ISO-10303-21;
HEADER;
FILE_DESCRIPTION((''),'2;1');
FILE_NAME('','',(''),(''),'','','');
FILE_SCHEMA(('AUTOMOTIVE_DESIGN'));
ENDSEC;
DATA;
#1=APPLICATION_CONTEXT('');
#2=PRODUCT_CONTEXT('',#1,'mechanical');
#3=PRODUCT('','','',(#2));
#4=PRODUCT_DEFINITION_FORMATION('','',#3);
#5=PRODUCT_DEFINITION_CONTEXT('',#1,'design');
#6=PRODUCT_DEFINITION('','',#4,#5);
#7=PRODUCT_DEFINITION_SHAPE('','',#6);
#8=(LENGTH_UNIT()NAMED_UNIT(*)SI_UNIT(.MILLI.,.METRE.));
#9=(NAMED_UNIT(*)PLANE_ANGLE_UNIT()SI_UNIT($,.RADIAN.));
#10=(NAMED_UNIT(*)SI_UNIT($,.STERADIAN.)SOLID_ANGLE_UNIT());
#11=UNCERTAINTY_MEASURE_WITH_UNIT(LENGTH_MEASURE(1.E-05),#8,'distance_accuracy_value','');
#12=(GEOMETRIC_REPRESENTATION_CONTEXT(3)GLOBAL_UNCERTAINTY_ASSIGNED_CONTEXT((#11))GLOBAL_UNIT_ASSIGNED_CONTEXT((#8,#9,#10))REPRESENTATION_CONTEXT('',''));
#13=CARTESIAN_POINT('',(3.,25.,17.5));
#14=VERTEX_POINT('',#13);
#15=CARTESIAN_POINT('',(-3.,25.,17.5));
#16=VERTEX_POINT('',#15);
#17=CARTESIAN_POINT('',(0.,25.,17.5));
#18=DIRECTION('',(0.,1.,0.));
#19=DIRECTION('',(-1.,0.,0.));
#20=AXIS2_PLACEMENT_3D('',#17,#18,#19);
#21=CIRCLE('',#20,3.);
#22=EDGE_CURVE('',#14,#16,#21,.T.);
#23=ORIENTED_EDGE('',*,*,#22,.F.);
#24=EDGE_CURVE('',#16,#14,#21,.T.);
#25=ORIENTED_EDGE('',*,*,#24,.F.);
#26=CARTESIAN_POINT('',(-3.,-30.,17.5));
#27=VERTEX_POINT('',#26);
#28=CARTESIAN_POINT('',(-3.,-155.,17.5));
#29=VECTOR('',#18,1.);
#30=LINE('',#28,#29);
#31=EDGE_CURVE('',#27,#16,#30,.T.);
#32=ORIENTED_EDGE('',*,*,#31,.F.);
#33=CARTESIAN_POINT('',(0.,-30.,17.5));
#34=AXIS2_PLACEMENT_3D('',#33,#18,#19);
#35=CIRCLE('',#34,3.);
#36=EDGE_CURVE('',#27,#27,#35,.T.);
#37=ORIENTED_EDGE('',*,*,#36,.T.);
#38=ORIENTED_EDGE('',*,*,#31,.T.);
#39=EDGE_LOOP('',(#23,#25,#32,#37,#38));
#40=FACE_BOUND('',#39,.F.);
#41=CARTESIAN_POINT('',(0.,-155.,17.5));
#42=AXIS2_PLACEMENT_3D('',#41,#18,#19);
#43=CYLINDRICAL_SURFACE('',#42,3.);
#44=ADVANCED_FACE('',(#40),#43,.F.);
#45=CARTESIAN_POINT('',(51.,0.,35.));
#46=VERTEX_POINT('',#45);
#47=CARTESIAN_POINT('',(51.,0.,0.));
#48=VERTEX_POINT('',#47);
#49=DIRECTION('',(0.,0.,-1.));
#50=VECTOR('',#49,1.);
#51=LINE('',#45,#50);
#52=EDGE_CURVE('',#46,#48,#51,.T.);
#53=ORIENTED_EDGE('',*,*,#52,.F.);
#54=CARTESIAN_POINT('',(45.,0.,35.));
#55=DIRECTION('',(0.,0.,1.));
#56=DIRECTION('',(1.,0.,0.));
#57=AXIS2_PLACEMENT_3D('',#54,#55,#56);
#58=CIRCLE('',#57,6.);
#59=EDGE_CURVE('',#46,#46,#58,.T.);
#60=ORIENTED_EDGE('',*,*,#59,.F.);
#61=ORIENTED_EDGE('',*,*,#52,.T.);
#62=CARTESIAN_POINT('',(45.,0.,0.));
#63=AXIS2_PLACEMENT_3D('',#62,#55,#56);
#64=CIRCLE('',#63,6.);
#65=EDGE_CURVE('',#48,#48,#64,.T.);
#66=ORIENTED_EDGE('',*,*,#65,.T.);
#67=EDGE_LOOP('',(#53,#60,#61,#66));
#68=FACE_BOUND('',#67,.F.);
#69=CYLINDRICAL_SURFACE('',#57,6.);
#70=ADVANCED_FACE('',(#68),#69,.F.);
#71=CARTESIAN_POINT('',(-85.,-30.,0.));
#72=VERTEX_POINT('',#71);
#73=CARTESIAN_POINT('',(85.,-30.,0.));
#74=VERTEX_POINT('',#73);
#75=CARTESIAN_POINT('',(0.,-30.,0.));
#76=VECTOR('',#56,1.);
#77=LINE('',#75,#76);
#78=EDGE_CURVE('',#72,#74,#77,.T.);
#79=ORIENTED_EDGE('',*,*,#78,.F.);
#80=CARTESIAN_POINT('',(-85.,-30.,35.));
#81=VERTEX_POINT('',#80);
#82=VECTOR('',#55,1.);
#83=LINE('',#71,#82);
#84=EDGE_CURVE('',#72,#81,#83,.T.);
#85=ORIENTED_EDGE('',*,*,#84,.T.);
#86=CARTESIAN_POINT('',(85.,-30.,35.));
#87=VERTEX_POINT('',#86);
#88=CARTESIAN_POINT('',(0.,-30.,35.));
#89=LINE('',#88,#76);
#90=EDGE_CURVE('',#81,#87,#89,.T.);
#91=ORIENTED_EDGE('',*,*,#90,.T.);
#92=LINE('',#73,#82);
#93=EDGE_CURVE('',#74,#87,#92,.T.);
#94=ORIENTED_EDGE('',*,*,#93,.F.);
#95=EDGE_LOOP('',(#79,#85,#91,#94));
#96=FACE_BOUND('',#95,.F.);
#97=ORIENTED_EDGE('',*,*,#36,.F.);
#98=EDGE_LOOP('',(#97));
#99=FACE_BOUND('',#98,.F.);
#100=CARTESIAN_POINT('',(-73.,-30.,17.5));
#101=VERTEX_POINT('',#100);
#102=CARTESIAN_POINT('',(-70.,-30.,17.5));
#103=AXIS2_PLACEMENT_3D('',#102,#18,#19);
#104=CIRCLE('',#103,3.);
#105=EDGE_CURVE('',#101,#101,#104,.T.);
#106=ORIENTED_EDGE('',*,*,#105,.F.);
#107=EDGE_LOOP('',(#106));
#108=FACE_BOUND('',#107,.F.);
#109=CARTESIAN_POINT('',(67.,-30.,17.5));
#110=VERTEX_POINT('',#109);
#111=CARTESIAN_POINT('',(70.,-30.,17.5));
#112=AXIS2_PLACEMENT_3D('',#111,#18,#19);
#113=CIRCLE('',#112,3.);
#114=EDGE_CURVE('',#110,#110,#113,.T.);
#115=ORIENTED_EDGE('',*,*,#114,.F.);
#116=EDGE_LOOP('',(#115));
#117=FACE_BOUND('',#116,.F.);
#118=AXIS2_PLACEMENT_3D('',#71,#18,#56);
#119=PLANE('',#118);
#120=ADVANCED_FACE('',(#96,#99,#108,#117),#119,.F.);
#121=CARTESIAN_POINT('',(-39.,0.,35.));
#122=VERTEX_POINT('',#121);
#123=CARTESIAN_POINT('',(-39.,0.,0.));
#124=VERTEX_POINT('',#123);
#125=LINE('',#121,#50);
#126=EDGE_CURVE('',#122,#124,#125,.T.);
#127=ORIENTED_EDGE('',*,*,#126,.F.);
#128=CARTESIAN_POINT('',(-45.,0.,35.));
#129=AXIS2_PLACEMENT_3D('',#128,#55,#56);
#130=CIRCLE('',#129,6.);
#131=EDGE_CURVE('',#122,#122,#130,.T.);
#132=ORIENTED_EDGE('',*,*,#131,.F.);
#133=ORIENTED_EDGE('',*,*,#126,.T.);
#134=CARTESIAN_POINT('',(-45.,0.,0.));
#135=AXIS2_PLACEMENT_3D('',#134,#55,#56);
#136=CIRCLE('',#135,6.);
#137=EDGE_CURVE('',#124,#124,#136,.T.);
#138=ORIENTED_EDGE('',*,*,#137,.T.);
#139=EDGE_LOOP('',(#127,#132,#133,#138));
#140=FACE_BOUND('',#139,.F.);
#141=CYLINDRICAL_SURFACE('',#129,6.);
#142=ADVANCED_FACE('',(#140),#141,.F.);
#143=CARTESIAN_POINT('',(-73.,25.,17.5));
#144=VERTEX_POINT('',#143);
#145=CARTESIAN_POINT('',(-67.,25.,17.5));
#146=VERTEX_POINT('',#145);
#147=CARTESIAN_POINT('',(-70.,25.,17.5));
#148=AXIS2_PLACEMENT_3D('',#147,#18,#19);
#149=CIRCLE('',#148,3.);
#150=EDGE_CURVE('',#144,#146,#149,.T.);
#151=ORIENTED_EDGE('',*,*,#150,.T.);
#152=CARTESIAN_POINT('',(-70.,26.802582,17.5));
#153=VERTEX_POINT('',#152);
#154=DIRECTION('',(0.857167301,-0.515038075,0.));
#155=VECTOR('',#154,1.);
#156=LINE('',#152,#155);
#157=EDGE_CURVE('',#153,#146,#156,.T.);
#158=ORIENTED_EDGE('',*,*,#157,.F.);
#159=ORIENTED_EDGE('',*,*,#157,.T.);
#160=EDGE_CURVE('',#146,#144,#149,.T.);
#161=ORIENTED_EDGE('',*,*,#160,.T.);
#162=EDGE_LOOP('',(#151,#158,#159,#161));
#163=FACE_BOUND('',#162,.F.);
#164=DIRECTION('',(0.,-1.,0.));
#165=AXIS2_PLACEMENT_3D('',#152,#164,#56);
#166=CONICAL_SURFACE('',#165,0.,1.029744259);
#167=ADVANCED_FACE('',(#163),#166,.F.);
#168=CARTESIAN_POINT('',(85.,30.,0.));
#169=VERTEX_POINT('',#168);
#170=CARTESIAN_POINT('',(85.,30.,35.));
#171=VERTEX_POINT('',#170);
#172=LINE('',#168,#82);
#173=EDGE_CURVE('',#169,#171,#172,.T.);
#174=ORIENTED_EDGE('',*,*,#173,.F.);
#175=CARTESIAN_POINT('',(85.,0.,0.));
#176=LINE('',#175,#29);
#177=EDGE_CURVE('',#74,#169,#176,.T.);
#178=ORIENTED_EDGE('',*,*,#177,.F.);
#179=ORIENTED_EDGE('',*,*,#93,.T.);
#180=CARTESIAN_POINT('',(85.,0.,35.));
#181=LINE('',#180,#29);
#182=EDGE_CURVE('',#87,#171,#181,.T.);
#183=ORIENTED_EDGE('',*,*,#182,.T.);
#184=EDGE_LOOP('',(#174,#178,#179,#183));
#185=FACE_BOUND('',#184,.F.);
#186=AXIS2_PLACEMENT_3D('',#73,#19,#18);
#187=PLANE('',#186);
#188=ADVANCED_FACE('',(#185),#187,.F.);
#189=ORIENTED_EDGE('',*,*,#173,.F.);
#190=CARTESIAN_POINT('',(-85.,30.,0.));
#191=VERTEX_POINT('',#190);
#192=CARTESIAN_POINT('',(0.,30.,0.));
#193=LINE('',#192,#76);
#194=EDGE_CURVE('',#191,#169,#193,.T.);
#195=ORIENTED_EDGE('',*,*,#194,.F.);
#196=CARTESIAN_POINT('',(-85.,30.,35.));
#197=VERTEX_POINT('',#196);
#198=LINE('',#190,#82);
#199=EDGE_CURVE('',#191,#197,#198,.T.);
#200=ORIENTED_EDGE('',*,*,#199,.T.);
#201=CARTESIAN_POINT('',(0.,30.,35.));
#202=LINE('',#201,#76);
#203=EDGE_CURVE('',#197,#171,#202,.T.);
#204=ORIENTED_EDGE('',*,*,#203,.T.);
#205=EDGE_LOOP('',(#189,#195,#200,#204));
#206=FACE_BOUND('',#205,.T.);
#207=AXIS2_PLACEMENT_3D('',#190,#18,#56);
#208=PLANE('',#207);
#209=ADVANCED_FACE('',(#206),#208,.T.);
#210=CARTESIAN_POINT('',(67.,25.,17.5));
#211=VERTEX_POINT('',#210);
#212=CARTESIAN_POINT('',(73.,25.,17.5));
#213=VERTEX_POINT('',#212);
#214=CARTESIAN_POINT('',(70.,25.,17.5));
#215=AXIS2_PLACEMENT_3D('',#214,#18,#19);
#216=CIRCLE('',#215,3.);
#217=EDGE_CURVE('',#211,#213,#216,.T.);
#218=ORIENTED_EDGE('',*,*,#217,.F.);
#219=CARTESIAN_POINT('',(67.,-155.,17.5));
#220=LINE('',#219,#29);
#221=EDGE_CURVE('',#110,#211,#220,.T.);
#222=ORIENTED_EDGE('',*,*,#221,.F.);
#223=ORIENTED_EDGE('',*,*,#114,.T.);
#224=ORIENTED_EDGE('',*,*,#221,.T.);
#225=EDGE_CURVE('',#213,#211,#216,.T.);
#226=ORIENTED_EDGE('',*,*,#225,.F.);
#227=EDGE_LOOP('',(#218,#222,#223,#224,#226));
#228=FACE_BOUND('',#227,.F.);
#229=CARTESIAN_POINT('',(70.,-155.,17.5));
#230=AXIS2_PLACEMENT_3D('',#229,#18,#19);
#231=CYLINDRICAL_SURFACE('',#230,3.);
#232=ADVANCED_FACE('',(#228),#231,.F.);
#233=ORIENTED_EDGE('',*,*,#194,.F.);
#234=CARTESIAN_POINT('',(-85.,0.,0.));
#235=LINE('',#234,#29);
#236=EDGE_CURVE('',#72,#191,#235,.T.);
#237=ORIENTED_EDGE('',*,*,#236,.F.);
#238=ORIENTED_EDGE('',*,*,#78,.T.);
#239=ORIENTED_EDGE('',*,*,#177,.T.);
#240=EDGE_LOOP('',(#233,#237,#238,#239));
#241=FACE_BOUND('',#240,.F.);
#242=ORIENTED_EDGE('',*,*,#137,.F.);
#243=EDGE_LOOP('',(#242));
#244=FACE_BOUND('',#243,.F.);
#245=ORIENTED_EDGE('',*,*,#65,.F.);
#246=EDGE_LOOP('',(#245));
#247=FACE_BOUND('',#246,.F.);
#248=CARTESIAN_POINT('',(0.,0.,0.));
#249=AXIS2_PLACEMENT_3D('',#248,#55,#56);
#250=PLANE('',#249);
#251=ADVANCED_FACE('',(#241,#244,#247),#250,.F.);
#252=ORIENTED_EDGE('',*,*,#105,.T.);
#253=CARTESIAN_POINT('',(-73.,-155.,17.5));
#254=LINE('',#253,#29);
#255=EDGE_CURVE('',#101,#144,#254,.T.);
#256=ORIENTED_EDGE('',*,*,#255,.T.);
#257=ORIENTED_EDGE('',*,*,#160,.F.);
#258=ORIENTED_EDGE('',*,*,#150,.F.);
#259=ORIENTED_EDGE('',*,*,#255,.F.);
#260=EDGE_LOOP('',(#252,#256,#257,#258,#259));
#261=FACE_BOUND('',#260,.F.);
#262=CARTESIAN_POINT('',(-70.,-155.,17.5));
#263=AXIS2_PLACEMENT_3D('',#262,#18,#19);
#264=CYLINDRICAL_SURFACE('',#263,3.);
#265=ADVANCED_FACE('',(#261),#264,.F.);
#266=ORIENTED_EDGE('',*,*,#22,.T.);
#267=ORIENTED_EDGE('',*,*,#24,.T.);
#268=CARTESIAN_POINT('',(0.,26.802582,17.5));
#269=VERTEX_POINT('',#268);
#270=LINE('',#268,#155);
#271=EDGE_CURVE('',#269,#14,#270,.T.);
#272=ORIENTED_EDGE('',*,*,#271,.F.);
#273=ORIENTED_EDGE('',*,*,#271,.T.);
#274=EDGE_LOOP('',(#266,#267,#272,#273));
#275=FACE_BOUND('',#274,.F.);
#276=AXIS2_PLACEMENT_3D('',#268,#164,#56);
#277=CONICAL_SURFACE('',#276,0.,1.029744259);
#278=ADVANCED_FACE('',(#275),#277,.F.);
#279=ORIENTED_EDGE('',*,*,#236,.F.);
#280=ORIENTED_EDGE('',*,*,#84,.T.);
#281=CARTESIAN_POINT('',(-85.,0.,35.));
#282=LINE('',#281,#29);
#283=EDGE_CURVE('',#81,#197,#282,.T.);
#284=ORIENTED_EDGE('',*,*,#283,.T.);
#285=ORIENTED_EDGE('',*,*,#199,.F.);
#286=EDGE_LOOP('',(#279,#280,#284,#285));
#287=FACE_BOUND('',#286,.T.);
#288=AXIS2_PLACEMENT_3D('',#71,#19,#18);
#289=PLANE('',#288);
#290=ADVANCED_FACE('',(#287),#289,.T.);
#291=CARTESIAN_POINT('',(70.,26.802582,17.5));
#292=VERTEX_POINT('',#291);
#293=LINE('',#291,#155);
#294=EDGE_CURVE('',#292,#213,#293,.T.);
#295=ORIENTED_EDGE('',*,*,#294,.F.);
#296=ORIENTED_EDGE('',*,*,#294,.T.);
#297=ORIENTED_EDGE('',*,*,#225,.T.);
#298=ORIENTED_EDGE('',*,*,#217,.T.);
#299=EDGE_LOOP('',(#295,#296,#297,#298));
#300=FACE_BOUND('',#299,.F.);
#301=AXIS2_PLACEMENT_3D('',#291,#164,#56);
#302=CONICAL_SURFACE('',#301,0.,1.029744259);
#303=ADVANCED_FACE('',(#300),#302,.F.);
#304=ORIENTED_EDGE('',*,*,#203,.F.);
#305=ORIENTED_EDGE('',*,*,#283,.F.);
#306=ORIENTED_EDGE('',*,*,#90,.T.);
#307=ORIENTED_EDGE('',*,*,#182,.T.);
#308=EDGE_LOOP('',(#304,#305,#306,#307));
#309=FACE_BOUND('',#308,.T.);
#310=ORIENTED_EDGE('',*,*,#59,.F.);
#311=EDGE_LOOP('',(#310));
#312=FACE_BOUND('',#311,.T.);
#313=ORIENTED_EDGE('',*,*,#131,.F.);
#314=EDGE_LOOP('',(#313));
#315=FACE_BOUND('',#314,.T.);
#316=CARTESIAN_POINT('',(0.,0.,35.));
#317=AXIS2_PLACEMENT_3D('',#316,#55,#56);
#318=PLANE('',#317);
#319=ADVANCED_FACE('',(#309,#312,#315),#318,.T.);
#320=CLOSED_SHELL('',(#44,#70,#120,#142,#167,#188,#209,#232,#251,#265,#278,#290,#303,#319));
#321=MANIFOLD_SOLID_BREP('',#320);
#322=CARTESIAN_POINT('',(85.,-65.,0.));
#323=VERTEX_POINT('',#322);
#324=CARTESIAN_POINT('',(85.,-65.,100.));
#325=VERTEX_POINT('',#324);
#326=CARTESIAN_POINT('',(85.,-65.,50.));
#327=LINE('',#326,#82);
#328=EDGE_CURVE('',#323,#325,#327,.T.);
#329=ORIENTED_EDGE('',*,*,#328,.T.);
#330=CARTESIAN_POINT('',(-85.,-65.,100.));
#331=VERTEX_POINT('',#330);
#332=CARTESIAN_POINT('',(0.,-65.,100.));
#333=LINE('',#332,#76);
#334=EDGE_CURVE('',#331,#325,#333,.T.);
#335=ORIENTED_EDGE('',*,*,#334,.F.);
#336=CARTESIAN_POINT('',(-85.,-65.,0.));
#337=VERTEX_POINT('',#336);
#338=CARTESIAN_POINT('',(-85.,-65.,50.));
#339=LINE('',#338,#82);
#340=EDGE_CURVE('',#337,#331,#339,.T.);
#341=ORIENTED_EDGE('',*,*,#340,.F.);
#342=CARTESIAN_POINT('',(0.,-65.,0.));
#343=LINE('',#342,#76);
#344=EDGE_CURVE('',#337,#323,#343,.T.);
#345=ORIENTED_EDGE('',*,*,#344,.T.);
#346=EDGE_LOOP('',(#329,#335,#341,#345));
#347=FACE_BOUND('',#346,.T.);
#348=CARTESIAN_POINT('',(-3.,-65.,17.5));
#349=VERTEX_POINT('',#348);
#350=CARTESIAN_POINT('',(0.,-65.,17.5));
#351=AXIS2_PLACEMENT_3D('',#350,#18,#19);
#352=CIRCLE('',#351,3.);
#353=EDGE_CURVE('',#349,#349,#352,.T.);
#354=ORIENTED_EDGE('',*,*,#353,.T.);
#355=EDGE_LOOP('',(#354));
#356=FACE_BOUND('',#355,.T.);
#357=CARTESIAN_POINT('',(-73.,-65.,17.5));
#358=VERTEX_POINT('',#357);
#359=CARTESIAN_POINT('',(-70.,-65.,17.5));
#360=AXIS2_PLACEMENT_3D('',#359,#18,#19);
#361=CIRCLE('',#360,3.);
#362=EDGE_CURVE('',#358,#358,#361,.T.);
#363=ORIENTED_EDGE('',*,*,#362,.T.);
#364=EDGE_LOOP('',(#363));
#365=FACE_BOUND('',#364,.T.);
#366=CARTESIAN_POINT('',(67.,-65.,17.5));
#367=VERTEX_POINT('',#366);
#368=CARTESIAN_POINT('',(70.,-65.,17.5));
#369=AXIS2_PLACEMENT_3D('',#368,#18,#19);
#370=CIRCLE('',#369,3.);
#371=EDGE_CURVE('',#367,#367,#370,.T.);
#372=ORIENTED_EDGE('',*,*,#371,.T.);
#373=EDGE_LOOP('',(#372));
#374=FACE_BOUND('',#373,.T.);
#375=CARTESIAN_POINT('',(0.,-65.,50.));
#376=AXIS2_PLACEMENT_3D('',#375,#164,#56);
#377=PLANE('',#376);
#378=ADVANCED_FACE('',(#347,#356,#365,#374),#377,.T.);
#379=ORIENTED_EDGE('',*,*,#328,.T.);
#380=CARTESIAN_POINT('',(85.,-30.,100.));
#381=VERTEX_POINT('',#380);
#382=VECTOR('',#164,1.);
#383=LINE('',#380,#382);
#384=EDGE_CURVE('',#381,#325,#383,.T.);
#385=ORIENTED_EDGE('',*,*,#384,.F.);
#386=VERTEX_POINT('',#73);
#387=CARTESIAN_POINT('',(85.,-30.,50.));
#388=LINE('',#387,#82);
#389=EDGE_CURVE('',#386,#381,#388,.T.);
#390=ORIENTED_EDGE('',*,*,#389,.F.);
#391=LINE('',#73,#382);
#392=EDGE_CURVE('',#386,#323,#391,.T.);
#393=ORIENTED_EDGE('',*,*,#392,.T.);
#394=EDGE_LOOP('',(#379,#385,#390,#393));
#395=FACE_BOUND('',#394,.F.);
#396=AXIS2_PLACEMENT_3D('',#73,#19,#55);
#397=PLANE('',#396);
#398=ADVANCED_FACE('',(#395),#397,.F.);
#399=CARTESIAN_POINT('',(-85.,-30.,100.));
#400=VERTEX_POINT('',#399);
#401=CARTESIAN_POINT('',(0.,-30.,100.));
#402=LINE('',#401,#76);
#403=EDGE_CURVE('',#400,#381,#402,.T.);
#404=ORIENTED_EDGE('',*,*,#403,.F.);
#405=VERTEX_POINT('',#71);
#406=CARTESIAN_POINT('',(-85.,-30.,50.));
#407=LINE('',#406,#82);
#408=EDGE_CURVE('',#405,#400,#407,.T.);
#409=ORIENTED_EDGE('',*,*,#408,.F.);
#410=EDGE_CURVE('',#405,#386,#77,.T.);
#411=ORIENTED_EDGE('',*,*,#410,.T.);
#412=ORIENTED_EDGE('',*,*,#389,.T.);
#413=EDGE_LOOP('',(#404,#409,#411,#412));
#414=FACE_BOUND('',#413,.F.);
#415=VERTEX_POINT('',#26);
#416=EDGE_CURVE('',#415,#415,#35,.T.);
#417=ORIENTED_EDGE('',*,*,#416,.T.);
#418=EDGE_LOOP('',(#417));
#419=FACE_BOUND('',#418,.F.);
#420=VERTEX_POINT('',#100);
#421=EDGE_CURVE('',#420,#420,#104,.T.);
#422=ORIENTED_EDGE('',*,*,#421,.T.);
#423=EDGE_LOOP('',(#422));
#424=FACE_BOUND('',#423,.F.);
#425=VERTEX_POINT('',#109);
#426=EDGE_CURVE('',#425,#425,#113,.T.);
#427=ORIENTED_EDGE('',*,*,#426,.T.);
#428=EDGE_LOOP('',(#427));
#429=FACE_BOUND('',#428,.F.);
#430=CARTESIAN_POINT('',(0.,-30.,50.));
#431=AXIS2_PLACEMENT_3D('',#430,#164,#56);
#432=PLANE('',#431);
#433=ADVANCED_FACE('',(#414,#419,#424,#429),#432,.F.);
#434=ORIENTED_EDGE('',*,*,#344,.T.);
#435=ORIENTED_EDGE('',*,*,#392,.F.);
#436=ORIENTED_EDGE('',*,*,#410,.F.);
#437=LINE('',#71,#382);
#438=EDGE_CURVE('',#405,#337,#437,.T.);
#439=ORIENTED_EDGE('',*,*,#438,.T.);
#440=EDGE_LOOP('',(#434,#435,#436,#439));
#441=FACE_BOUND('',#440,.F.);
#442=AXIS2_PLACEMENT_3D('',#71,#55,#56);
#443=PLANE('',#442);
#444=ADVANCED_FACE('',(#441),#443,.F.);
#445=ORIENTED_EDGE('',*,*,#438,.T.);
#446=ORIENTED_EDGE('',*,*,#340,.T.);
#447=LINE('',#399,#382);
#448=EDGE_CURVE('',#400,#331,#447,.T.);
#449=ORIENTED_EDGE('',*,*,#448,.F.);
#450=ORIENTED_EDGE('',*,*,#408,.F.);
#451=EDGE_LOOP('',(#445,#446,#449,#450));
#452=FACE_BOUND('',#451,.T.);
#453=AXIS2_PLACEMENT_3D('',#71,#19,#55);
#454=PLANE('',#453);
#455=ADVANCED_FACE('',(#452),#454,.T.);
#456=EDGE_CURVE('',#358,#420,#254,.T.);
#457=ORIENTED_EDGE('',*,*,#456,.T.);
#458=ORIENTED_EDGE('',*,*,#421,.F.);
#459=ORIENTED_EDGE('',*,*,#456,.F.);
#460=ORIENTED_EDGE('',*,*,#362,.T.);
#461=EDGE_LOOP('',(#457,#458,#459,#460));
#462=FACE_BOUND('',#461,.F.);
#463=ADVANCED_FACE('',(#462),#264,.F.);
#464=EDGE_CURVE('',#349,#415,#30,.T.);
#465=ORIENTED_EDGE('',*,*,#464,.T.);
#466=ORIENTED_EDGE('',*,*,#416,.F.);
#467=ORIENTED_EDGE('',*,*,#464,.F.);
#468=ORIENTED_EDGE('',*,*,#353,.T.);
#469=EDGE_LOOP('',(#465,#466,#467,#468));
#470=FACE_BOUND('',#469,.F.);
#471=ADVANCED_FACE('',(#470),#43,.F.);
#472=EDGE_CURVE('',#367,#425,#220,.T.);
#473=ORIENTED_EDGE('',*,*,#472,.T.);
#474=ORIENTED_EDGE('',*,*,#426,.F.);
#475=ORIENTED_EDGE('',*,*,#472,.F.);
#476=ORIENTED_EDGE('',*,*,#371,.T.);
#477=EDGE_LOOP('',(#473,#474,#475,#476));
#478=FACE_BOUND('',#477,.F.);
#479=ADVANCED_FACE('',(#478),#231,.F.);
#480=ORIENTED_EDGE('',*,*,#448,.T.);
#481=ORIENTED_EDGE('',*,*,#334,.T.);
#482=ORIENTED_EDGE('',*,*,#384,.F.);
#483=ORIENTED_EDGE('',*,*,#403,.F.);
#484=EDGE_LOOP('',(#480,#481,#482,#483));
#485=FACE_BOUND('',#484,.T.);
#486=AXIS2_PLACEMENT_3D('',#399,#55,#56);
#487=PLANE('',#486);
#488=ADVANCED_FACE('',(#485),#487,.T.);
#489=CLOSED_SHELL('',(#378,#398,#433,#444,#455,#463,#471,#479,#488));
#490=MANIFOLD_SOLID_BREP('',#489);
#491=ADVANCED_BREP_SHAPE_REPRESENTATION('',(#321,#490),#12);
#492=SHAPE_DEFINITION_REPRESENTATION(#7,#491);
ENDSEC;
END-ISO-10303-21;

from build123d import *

# Parameters (mm, degrees)
F0_W       = 170
F0_H       = 60
F1_DEPTH   = 35
F2_W       = 170
F2_H       = 100
F3_DEPTH   = 35
F4_R       = 6
F5_DEPTH   = 35.001
F7_D       = 6
F7_DEPTH   = 90
F7_TIP     = 1.8025818571
F7_2_D     = 6
F7_2_DEPTH = 90
F7_2_TIP   = 1.8025818571


with BuildPart() as f1:
    # F0 (on Top) → F1 (new body)
    with BuildSketch(Plane.XY):
        Rectangle(F0_W, F0_H)
    extrude(amount=F1_DEPTH)

    # F4 (on face) → F5 (cut, through all)
    with BuildSketch(Plane.XY.offset(35)):
        with Locations((45, 0)):
            Circle(F4_R)
        with Locations((-45, 0)):
            Circle(F4_R)
    extrude(amount=-F5_DEPTH, mode=Mode.SUBTRACT)

    # F7
    with Locations(Plane.XZ.offset(65)):
        with Locations((-70, 17.5), (0, 17.5), (70, 17.5)):
            Hole(F7_D / 2, depth=F7_DEPTH)
            with Locations((0, 0, -(F7_DEPTH + F7_TIP / 2))):  # 118° drill point
                Cone(0, F7_D / 2, F7_TIP, mode=Mode.SUBTRACT)


with BuildPart() as f3:
    # F2 (on face) → F3 (new body)
    with BuildSketch(Plane.XZ.offset(30)):
        with Locations((0, 50)):
            Rectangle(F2_W, F2_H)
    extrude(amount=F3_DEPTH)

    # F7#2
    with Locations(Plane.XZ.offset(65)):
        with Locations((-70, 17.5), (0, 17.5), (70, 17.5)):
            Hole(F7_2_D / 2, depth=F7_2_DEPTH)
            with Locations((0, 0, -(F7_2_DEPTH + F7_2_TIP / 2))):  # 118° drill point
                Cone(0, F7_2_D / 2, F7_2_TIP, mode=Mode.SUBTRACT)


solid = Compound([f1.part, f3.part])
